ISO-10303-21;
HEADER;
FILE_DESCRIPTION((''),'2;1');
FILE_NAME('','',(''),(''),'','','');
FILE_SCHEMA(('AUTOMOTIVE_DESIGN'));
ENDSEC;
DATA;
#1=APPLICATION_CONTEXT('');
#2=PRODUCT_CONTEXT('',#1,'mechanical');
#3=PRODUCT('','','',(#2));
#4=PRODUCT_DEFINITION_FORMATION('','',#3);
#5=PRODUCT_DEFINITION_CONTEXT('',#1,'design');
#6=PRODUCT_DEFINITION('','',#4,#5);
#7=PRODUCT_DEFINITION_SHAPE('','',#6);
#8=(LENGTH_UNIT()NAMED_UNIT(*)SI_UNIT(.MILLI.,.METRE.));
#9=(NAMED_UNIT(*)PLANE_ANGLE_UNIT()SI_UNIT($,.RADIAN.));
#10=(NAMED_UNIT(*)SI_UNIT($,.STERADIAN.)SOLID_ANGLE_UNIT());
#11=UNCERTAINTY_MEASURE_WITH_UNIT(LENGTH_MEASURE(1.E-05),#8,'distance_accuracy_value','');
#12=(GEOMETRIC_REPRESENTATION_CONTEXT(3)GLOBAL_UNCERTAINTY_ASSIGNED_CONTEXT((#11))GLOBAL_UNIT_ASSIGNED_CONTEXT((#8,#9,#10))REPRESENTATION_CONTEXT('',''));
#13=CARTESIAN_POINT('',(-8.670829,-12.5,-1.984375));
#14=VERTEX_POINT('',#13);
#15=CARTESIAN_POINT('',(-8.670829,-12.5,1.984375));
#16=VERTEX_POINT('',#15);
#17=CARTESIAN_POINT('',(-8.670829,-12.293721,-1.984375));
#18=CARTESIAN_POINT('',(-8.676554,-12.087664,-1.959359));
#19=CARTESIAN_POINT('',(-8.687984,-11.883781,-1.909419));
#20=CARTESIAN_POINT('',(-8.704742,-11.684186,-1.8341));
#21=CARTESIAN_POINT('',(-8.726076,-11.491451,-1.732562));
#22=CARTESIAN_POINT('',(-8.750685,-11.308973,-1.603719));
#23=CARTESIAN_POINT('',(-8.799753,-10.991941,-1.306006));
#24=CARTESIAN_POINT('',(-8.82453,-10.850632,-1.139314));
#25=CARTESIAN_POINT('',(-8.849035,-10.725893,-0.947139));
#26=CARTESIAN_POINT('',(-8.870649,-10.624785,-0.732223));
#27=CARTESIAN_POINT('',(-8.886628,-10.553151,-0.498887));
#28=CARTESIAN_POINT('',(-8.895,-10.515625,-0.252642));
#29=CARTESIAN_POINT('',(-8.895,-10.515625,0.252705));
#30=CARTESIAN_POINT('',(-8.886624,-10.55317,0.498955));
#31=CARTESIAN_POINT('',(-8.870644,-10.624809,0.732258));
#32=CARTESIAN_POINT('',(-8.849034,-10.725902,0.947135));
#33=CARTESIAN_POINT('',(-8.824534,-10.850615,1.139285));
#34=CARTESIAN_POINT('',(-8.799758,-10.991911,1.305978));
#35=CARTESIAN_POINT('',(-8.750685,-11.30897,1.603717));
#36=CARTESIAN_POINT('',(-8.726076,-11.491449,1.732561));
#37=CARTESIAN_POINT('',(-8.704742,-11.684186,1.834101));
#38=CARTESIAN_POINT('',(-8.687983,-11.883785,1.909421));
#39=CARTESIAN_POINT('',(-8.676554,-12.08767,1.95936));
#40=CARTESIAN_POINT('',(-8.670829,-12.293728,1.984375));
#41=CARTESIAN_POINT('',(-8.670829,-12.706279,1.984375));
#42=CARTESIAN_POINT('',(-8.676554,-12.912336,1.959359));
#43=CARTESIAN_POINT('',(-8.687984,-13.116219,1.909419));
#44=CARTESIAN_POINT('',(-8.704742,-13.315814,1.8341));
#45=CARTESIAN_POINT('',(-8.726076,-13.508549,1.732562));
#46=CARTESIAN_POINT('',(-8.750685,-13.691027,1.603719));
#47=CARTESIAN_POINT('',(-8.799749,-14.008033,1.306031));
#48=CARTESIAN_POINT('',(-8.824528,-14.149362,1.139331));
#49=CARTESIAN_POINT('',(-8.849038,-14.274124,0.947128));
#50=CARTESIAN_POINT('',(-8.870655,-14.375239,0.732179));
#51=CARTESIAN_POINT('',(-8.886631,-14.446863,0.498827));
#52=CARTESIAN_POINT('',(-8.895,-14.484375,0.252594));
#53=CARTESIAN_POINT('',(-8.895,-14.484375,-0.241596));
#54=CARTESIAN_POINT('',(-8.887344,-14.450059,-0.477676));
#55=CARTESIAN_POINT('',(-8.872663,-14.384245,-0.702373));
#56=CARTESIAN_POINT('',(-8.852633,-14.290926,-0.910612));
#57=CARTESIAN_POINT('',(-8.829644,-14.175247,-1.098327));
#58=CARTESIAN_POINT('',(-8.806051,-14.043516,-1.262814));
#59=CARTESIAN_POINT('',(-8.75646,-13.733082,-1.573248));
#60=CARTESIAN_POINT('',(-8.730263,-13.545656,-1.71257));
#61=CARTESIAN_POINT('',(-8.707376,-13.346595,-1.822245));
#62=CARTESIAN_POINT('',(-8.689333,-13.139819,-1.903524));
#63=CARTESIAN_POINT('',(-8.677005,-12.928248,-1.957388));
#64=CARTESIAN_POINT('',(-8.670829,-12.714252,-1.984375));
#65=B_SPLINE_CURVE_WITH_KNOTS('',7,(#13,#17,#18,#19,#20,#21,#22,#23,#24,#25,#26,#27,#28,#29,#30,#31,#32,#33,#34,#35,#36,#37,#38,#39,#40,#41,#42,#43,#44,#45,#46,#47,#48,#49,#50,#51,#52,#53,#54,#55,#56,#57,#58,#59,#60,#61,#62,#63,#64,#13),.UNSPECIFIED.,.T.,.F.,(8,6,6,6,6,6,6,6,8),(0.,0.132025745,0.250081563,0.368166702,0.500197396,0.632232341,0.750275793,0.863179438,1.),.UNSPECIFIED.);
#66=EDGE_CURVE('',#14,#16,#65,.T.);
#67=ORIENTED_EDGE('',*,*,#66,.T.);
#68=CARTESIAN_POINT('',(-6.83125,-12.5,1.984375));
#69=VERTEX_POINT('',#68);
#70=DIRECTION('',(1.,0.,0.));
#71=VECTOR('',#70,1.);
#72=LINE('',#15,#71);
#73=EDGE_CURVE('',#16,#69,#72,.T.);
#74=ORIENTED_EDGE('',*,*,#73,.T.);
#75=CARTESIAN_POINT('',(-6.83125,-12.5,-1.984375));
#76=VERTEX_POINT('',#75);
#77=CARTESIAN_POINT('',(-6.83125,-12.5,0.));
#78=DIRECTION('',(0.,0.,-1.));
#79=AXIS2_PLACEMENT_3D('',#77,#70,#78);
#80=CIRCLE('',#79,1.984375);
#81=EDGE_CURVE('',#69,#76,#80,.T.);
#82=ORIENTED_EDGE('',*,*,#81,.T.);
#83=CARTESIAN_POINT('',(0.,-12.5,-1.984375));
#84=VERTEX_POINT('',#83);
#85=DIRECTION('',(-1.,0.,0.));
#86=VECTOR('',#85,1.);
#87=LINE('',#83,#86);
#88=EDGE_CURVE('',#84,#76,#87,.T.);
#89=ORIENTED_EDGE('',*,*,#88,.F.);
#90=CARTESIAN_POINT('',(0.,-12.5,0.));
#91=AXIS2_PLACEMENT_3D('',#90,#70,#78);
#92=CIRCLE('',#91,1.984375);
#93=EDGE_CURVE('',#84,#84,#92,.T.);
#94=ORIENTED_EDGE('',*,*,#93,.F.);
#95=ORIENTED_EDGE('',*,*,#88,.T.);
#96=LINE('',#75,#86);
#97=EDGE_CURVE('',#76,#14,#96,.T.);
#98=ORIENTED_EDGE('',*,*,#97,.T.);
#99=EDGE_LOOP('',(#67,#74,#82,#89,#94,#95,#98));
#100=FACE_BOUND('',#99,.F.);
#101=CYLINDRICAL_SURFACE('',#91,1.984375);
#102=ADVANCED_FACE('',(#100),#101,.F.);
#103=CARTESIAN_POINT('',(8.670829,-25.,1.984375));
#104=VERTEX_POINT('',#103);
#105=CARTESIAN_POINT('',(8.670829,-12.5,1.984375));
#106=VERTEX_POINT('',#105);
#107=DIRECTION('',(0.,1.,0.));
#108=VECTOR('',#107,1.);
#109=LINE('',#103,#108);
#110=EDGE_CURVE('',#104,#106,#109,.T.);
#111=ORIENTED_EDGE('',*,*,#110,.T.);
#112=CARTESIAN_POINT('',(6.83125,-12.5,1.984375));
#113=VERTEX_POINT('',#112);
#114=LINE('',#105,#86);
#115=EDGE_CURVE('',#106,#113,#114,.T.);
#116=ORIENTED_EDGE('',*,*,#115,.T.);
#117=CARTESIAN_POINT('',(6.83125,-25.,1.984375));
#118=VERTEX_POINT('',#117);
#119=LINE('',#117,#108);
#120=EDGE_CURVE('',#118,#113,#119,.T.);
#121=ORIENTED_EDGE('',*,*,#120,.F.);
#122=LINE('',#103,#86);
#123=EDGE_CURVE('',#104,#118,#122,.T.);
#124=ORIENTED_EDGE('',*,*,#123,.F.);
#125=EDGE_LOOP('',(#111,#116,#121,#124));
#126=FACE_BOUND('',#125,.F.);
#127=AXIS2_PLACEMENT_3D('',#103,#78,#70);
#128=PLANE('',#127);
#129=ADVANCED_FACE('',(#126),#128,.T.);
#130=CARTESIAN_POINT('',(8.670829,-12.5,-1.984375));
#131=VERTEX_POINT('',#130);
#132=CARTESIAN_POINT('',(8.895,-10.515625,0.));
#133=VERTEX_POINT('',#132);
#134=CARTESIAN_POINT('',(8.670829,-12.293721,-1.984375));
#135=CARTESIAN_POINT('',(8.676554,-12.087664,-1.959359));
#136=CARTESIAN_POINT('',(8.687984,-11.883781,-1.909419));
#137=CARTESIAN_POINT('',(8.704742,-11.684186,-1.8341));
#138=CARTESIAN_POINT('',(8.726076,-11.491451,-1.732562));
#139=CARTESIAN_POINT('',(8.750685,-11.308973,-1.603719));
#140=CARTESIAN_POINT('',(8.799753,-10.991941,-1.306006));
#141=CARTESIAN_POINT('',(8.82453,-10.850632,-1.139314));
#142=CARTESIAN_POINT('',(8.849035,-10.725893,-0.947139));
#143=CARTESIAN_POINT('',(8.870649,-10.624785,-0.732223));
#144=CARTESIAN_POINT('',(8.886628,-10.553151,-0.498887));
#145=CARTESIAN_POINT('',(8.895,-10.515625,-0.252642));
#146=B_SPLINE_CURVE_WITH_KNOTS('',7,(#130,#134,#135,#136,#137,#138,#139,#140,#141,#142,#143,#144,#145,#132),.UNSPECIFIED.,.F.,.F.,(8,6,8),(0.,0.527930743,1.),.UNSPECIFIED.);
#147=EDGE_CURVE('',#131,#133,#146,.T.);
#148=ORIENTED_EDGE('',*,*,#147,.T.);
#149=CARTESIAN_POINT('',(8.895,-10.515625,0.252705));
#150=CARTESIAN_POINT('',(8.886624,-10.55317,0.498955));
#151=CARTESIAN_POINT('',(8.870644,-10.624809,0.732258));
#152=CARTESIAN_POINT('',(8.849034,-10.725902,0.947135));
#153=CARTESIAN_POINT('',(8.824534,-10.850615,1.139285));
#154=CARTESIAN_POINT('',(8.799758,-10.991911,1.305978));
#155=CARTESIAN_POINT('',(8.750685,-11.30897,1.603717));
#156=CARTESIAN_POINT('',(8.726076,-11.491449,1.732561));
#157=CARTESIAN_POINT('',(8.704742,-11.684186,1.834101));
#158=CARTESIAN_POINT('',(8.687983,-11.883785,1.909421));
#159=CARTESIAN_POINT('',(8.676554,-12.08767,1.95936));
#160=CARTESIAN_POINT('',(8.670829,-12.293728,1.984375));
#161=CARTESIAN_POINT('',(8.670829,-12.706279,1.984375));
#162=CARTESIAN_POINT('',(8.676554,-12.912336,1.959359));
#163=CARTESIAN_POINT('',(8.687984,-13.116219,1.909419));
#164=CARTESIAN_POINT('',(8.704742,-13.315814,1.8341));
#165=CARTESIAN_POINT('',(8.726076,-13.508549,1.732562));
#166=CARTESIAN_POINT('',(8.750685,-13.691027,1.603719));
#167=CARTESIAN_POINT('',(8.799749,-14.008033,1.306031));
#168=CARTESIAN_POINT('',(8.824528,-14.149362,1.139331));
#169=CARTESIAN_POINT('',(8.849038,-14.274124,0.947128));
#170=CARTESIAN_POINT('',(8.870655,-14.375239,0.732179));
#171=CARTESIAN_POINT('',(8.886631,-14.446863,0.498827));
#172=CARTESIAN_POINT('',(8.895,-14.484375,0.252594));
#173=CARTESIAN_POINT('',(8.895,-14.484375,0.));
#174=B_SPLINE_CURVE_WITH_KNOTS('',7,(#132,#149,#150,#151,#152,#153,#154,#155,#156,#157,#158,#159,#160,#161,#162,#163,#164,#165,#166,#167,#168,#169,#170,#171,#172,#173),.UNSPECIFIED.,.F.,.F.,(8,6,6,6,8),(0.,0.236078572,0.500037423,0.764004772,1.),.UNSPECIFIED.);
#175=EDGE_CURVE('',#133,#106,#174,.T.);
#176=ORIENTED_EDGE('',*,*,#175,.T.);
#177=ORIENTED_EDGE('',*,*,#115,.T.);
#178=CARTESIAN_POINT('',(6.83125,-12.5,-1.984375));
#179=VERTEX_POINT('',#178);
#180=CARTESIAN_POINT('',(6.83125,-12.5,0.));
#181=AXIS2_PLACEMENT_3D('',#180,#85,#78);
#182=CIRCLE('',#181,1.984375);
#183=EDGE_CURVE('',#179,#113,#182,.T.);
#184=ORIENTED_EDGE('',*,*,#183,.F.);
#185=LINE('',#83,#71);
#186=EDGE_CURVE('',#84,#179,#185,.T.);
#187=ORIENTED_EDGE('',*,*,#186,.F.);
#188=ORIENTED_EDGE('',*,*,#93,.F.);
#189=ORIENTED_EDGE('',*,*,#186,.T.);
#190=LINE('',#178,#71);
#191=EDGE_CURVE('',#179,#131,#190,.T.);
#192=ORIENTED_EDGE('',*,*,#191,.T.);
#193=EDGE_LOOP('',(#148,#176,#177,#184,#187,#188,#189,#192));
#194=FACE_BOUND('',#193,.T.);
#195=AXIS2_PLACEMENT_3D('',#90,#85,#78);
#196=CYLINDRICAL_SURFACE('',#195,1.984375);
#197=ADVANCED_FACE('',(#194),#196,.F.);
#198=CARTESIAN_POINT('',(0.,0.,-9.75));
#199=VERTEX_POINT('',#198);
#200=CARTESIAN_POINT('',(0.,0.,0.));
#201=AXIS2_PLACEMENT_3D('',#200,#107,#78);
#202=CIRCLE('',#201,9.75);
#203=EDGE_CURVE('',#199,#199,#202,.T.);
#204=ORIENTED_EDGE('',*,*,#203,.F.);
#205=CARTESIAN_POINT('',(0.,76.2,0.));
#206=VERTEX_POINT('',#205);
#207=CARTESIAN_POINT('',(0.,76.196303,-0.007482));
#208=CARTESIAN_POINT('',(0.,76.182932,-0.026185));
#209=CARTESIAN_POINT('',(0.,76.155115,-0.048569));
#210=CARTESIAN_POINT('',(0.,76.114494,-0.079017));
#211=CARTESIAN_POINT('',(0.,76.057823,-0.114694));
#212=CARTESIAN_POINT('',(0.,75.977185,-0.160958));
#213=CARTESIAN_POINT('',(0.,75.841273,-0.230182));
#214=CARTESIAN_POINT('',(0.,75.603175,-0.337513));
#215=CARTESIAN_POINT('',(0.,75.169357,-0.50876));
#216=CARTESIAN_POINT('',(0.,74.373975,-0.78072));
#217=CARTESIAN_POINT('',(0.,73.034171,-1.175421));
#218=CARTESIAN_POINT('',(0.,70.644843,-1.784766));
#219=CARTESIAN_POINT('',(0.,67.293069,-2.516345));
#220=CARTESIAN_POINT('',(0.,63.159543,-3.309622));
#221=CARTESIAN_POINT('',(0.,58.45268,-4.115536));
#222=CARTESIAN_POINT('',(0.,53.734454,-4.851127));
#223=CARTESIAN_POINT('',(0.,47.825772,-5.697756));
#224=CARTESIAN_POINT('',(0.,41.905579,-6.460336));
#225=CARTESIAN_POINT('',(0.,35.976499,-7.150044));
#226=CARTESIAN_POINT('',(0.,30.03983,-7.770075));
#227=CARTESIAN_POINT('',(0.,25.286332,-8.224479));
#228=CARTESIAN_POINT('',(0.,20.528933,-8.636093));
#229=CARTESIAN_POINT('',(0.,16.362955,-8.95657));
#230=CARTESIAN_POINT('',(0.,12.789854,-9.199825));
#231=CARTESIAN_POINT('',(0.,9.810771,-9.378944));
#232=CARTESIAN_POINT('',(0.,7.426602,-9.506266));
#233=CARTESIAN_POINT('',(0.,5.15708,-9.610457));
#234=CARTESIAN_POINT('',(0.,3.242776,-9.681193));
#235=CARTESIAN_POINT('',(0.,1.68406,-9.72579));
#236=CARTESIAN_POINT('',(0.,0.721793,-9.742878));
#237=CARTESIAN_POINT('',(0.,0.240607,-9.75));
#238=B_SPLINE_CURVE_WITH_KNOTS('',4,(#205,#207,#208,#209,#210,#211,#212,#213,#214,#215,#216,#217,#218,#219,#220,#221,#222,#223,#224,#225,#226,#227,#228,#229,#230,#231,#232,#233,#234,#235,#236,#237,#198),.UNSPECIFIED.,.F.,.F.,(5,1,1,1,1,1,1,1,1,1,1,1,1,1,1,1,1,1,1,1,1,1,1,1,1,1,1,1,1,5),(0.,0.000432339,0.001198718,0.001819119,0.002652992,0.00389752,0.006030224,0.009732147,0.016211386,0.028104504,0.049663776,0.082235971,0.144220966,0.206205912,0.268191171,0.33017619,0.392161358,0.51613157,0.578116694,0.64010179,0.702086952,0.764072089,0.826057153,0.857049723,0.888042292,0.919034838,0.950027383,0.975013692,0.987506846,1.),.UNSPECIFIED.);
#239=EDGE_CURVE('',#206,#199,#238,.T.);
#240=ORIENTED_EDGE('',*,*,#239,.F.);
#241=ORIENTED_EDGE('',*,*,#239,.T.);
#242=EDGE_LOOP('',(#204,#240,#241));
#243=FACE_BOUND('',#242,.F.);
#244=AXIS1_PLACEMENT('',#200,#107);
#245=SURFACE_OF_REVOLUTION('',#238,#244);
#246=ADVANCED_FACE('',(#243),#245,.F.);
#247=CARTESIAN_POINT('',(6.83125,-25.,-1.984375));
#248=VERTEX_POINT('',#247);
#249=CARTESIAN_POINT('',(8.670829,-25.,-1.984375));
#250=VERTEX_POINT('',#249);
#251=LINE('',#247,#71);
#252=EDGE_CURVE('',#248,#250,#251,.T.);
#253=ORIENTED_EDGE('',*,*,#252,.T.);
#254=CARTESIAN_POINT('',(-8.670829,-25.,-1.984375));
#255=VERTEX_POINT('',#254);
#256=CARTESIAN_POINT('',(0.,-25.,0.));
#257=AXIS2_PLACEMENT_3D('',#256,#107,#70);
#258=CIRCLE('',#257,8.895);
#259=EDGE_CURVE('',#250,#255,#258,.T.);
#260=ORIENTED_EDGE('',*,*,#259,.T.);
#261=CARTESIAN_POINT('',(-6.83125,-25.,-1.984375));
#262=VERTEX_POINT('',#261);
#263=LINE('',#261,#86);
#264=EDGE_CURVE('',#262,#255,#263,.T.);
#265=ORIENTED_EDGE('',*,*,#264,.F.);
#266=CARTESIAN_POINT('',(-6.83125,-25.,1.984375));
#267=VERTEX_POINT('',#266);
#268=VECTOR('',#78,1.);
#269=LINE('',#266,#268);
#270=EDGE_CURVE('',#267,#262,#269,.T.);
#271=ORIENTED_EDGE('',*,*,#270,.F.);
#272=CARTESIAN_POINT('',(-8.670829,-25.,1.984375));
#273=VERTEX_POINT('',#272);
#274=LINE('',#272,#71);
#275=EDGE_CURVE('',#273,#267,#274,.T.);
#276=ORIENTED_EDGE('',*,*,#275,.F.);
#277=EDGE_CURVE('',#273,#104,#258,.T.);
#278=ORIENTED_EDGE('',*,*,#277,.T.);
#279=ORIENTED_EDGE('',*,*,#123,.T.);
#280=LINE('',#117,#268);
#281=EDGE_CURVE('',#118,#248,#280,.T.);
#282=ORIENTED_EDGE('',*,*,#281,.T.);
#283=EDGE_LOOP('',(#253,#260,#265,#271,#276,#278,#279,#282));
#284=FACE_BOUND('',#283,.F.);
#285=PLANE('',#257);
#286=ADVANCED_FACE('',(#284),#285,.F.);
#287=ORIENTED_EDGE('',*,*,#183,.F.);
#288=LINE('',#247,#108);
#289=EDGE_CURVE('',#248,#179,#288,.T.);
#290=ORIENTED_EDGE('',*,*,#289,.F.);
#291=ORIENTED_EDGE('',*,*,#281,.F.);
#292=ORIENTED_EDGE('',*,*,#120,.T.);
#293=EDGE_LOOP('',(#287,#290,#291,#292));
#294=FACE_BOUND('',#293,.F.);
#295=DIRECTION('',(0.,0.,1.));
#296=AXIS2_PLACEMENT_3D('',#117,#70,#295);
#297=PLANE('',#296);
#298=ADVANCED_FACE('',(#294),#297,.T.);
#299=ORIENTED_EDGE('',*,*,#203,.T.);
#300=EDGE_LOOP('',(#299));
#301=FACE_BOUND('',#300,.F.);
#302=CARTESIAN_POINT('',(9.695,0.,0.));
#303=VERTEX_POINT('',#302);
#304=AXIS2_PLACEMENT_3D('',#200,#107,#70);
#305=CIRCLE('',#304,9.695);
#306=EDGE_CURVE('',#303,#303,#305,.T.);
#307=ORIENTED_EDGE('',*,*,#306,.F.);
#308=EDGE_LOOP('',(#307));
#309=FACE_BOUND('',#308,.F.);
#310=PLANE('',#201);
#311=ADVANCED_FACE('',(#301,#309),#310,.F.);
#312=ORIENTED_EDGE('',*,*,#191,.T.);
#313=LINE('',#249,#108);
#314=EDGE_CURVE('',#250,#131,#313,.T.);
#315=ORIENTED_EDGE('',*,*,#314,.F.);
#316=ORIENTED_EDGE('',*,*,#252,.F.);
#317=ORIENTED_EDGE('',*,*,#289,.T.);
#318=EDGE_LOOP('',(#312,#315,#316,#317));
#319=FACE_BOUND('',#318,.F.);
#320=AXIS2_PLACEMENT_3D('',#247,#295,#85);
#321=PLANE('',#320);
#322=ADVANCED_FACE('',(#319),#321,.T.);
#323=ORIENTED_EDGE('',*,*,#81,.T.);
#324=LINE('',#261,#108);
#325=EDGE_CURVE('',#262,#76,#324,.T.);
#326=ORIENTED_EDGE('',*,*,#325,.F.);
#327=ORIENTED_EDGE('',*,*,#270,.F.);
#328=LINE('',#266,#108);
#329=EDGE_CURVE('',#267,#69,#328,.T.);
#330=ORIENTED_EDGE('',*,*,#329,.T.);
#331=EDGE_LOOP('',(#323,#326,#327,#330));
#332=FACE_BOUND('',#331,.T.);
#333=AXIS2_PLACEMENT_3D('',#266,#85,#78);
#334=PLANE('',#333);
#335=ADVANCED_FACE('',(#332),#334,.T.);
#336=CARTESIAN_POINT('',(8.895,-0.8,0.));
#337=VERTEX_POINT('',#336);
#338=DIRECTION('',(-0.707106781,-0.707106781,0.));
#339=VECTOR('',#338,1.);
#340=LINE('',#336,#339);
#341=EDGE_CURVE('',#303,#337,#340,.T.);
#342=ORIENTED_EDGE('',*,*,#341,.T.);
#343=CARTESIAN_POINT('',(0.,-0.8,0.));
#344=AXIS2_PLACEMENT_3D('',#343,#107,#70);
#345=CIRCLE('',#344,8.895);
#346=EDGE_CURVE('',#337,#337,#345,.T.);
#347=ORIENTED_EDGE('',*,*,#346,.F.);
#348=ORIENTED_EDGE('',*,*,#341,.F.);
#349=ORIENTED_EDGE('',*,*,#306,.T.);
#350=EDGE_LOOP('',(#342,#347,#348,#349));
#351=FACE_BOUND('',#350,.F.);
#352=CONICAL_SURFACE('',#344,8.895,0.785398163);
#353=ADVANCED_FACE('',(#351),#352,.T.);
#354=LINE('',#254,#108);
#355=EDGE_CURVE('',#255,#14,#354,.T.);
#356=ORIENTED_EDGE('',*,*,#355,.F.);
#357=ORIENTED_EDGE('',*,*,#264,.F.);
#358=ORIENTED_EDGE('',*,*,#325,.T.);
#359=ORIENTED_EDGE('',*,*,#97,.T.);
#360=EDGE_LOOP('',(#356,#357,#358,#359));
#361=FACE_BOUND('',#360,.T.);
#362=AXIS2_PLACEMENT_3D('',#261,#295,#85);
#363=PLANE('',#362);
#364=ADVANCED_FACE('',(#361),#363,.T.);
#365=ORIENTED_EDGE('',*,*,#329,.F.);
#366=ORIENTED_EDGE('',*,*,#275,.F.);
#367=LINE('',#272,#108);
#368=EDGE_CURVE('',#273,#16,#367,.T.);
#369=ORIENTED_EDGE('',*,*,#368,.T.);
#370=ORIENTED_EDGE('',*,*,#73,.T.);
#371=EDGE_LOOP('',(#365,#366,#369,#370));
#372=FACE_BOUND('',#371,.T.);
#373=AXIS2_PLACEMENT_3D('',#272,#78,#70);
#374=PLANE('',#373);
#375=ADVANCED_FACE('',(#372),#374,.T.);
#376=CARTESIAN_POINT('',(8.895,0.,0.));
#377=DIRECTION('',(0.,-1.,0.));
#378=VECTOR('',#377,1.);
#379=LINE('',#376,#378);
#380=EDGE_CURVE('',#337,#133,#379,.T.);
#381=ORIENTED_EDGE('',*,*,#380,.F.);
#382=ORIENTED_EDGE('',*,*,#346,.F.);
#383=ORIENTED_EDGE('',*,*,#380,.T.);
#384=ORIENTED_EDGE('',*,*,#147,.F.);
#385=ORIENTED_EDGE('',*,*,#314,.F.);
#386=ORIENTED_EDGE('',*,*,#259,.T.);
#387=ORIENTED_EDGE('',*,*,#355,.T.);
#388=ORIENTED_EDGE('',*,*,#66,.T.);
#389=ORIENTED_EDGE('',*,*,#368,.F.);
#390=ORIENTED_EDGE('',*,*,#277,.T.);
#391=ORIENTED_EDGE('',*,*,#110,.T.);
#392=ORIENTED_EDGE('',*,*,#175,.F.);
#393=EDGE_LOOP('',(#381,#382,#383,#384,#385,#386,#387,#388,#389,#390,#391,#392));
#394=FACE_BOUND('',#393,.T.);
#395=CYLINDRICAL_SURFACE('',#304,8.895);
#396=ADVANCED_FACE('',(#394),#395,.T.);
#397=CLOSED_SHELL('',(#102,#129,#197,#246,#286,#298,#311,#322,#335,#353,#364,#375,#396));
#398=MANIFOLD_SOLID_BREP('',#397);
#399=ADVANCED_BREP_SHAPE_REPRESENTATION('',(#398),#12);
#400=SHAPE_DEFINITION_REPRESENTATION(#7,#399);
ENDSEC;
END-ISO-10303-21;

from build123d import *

# Parameters (mm, degrees)
SKETCH1_R               = 8.895
BOSS_EXTRUDE1_DEPTH     = 25
CUT_EXTRUDE1_DEPTH      = 12.5
SKETCH3_R               = 1.984375
CUT_EXTRUDE2_DEPTH      = 9.895
CUT_EXTRUDE2_DEPTH_BACK = 9.895
CHAMFER1_SIZE           = 0.8


with BuildPart() as part:
    # Sketch1 → Boss-Extrude1 (new body)
    with BuildSketch(Plane(origin=(0, 0, 0), x_dir=(1, 0, 0), z_dir=(0, 1, 0))):
        Circle(SKETCH1_R)
    extrude(amount=-BOSS_EXTRUDE1_DEPTH)

    # Sketch2 → Cut-Extrude1 (cut)
    with BuildSketch(Plane.XZ.offset(25)):
        with BuildLine():
            Line((-6.83125, 1.984375), (-6.83125, -1.984375))
            Line((-6.83125, -1.984375), (-8.670829306, -1.984375))
            ThreePointArc((-8.670829306, -1.984375), (-8.895, 0), (-8.670829306, 1.984375))
            Line((-8.670829306, 1.984375), (-6.83125, 1.984375))
        make_face()
    cut_extrude1 = extrude(amount=-CUT_EXTRUDE1_DEPTH, mode=Mode.SUBTRACT)

    # Mirror1: Cut-Extrude1 across plane
    add(cut_extrude1.mirror(Plane(origin=(0, 0, 0), x_dir=(0, 0, 1), z_dir=(1, 0, 0))), mode=Mode.SUBTRACT)

    # Sketch3 → Cut-Extrude2 (cut, two sides)
    with BuildSketch(Plane(origin=(0, 0, 0), x_dir=(0, 0, -1), z_dir=(1, 0, 0))) as cut_extrude2_sk:
        with Locations((0, -12.5)):
            Circle(SKETCH3_R)
    extrude(amount=CUT_EXTRUDE2_DEPTH, mode=Mode.SUBTRACT)
    extrude(cut_extrude2_sk.sketch, amount=-CUT_EXTRUDE2_DEPTH_BACK, mode=Mode.SUBTRACT)

    # Sketch4 → Revolve1 (revolve)
    with BuildSketch(Plane(origin=(0, 0, 0), x_dir=(0, 0, -1), z_dir=(1, 0, 0))):
        with BuildLine():
            Line((9.75, 0), (0, 0))
            Line((0, 0), (0, 76.2))
            add(Edge.make_bspline(
                [(0, 76.2), (0.00748237, 76.196303135), (0.026185272, 76.182931832), (0.048569166, 76.155115052), (0.079016608, 76.11449371), (0.114693992, 76.05782259), (0.160958307, 75.977185044), (0.230182007, 75.841272979), (0.337513198, 75.60317482), (0.508759946, 75.169356672), (0.780720305, 74.373974862), (1.175421329, 73.034171439), (1.784765583, 70.644843338), (2.516344519, 67.293069495), (3.309621674, 63.159543132), (4.115536163, 58.4526801), (4.851127077, 53.734453502), (5.69775641, 47.825772453), (6.460335776, 41.90557874), (7.150044053, 35.976499089), (7.770075125, 30.039829718), (8.224479166, 25.286332313), (8.636093389, 20.528933412), (8.956570125, 16.362955309), (9.199825181, 12.789854007), (9.378943901, 9.810771277), (9.506266384, 7.426602256), (9.610457186, 5.15707962), (9.681192933, 3.242776152), (9.725789572, 1.68405962), (9.742877783, 0.721793084), (9.75, 0.240606643), (9.75, 0)],
                knots=[0, 0, 0, 0, 0, 0.000432339, 0.001198718, 0.001819119, 0.002652992, 0.00389752, 0.006030224, 0.009732147, 0.016211386, 0.028104504, 0.049663776, 0.082235971, 0.144220966, 0.206205912, 0.268191171, 0.33017619, 0.392161358, 0.51613157, 0.578116694, 0.64010179, 0.702086952, 0.764072089, 0.826057153, 0.857049723, 0.888042292, 0.919034838, 0.950027383, 0.975013692, 0.987506846, 1, 1, 1, 1, 1], degree=4))
        make_face()
    revolve(axis=Axis((0, 0, 0), (0, 1, 0)))

    # Chamfer1
    chamfer1_edges = [part.edges().sort_by_distance(p)[0] for p in [
        (-8.895, 0, 0),
    ]]
    chamfer(chamfer1_edges, length=CHAMFER1_SIZE)


solid = part.part
